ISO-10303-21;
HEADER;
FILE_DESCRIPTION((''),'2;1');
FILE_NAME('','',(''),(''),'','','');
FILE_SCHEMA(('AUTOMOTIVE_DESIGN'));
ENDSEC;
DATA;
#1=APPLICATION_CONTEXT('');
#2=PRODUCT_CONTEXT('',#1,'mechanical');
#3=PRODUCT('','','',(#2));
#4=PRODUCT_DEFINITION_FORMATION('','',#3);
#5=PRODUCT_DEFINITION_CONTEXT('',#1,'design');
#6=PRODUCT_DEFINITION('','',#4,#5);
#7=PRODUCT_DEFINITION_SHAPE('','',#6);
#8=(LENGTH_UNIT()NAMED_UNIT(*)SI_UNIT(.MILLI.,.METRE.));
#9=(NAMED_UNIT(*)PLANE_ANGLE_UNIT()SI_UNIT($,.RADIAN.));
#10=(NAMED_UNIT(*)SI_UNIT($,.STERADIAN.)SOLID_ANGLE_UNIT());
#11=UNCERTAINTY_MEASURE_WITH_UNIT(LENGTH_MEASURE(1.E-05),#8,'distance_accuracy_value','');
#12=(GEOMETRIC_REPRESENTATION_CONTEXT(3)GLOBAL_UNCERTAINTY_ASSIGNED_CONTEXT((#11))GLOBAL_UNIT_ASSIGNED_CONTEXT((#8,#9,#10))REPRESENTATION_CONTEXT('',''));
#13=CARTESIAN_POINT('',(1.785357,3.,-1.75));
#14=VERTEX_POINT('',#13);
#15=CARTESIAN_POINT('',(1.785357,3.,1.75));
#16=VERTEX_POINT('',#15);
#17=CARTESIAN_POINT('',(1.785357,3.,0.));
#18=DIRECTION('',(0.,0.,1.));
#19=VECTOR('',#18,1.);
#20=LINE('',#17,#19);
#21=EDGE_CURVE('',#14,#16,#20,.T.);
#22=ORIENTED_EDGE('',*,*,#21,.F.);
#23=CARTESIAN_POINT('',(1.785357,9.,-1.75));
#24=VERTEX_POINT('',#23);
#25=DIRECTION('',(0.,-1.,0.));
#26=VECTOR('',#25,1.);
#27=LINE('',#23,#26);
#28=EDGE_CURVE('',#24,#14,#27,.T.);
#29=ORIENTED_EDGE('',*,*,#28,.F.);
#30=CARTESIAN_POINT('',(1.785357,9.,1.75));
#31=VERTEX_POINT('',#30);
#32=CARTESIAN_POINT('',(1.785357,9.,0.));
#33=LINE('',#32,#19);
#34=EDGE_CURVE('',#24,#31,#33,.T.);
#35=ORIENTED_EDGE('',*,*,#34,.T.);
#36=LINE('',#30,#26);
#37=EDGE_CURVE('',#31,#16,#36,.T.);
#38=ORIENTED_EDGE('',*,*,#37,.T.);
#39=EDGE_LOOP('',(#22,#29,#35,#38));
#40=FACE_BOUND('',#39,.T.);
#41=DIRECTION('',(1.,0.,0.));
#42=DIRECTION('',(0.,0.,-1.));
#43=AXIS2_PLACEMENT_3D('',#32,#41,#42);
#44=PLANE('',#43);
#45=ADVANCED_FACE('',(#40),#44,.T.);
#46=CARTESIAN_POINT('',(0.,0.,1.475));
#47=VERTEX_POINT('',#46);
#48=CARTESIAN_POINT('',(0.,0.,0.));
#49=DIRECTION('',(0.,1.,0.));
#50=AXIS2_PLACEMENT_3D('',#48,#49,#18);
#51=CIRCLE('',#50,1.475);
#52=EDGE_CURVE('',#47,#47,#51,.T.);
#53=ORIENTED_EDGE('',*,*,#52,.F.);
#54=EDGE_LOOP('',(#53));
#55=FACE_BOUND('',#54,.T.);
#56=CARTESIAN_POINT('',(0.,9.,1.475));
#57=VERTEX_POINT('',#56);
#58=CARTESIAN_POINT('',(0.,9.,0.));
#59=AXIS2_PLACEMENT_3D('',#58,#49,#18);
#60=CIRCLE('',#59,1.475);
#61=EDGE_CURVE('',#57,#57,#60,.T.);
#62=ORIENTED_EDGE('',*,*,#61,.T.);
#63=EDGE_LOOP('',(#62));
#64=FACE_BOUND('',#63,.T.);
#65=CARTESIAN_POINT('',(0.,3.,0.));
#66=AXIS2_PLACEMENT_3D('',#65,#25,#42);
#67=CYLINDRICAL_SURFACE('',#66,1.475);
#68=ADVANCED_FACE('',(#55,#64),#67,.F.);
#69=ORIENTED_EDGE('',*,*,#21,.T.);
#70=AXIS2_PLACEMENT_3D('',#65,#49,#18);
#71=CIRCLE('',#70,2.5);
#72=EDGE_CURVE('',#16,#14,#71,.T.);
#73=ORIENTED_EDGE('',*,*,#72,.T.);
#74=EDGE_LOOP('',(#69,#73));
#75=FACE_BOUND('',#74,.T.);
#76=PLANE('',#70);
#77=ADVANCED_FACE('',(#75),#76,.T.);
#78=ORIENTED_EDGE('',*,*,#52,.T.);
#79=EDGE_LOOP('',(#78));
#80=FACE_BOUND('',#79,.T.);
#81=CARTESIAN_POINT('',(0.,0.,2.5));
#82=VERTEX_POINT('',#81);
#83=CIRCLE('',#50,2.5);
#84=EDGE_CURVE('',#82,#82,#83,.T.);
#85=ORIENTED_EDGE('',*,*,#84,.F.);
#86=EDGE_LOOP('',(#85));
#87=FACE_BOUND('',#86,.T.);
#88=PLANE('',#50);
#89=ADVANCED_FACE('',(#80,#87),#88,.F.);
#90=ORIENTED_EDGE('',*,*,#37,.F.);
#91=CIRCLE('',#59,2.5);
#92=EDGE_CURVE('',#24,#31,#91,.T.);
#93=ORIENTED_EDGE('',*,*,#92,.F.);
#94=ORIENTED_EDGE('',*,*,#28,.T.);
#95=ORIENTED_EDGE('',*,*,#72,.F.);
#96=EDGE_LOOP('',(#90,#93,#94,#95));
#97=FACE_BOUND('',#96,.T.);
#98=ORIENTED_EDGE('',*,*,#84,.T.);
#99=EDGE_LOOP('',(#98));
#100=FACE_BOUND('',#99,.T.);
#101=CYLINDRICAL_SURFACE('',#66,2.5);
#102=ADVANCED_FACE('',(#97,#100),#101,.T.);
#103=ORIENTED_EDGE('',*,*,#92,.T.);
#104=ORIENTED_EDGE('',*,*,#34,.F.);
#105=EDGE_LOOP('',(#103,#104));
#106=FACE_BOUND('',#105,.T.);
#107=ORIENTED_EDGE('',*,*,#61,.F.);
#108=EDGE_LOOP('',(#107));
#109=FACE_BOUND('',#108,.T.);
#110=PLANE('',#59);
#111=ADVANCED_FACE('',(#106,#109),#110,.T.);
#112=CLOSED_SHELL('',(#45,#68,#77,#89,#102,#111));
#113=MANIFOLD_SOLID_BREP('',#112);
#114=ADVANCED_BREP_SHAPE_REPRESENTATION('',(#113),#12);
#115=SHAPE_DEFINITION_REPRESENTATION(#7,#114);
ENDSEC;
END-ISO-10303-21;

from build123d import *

# Parameters (mm, degrees)
SKETCH1_R           = 1.475
BOSS_EXTRUDE4_DEPTH = 3
BOSS_EXTRUDE5_START = 3
SKETCH1_3_R         = 1.475
BOSS_EXTRUDE5_DEPTH = 6


with BuildPart() as part:
    # Sketch1 → Boss-Extrude4 (new body)
    # profile 1 of 2: a face of its own
    with BuildSketch(Plane(origin=(0, 0, 0), x_dir=(1, 0, 0), z_dir=(0, 1, 0))):
        with BuildLine():
            ThreePointArc((1.785357107, 1.75), (-2.5, 0), (1.785357107, -1.75))
            Line((1.785357107, -1.75), (1.785357107, 1.75))
        make_face()
        with Locations(Location((0, 0, 0), (0, 0, 270))):
            Circle(SKETCH1_R, mode=Mode.SUBTRACT)
    # profile 2 of 2: a face of its own
    with BuildSketch(Plane(origin=(0, 0, 0), x_dir=(1, 0, 0), z_dir=(0, 1, 0))):
        with BuildLine():
            Line((1.785357107, 1.75), (1.785357107, -1.75))
            ThreePointArc((1.785357107, -1.75), (2.314453798, -0.945147404), (2.5, 0))
            ThreePointArc((2.5, 0), (2.314453798, 0.945147404), (1.785357107, 1.75))
        make_face()
    extrude(amount=BOSS_EXTRUDE4_DEPTH)

    # Sketch1<3> → Boss-Extrude5 (add)
    with BuildSketch(Plane(origin=(0, 0, 0), x_dir=(1, 0, 0), z_dir=(0, 1, 0)).offset(BOSS_EXTRUDE5_START)):
        with BuildLine():
            ThreePointArc((1.785357107, 1.75), (-2.5, 0), (1.785357107, -1.75))
            Line((1.785357107, -1.75), (1.785357107, 1.75))
        make_face()
        with Locations(Location((0, 0, 0), (0, 0, 270))):
            Circle(SKETCH1_3_R, mode=Mode.SUBTRACT)
    extrude(amount=BOSS_EXTRUDE5_DEPTH)


solid = part.part
